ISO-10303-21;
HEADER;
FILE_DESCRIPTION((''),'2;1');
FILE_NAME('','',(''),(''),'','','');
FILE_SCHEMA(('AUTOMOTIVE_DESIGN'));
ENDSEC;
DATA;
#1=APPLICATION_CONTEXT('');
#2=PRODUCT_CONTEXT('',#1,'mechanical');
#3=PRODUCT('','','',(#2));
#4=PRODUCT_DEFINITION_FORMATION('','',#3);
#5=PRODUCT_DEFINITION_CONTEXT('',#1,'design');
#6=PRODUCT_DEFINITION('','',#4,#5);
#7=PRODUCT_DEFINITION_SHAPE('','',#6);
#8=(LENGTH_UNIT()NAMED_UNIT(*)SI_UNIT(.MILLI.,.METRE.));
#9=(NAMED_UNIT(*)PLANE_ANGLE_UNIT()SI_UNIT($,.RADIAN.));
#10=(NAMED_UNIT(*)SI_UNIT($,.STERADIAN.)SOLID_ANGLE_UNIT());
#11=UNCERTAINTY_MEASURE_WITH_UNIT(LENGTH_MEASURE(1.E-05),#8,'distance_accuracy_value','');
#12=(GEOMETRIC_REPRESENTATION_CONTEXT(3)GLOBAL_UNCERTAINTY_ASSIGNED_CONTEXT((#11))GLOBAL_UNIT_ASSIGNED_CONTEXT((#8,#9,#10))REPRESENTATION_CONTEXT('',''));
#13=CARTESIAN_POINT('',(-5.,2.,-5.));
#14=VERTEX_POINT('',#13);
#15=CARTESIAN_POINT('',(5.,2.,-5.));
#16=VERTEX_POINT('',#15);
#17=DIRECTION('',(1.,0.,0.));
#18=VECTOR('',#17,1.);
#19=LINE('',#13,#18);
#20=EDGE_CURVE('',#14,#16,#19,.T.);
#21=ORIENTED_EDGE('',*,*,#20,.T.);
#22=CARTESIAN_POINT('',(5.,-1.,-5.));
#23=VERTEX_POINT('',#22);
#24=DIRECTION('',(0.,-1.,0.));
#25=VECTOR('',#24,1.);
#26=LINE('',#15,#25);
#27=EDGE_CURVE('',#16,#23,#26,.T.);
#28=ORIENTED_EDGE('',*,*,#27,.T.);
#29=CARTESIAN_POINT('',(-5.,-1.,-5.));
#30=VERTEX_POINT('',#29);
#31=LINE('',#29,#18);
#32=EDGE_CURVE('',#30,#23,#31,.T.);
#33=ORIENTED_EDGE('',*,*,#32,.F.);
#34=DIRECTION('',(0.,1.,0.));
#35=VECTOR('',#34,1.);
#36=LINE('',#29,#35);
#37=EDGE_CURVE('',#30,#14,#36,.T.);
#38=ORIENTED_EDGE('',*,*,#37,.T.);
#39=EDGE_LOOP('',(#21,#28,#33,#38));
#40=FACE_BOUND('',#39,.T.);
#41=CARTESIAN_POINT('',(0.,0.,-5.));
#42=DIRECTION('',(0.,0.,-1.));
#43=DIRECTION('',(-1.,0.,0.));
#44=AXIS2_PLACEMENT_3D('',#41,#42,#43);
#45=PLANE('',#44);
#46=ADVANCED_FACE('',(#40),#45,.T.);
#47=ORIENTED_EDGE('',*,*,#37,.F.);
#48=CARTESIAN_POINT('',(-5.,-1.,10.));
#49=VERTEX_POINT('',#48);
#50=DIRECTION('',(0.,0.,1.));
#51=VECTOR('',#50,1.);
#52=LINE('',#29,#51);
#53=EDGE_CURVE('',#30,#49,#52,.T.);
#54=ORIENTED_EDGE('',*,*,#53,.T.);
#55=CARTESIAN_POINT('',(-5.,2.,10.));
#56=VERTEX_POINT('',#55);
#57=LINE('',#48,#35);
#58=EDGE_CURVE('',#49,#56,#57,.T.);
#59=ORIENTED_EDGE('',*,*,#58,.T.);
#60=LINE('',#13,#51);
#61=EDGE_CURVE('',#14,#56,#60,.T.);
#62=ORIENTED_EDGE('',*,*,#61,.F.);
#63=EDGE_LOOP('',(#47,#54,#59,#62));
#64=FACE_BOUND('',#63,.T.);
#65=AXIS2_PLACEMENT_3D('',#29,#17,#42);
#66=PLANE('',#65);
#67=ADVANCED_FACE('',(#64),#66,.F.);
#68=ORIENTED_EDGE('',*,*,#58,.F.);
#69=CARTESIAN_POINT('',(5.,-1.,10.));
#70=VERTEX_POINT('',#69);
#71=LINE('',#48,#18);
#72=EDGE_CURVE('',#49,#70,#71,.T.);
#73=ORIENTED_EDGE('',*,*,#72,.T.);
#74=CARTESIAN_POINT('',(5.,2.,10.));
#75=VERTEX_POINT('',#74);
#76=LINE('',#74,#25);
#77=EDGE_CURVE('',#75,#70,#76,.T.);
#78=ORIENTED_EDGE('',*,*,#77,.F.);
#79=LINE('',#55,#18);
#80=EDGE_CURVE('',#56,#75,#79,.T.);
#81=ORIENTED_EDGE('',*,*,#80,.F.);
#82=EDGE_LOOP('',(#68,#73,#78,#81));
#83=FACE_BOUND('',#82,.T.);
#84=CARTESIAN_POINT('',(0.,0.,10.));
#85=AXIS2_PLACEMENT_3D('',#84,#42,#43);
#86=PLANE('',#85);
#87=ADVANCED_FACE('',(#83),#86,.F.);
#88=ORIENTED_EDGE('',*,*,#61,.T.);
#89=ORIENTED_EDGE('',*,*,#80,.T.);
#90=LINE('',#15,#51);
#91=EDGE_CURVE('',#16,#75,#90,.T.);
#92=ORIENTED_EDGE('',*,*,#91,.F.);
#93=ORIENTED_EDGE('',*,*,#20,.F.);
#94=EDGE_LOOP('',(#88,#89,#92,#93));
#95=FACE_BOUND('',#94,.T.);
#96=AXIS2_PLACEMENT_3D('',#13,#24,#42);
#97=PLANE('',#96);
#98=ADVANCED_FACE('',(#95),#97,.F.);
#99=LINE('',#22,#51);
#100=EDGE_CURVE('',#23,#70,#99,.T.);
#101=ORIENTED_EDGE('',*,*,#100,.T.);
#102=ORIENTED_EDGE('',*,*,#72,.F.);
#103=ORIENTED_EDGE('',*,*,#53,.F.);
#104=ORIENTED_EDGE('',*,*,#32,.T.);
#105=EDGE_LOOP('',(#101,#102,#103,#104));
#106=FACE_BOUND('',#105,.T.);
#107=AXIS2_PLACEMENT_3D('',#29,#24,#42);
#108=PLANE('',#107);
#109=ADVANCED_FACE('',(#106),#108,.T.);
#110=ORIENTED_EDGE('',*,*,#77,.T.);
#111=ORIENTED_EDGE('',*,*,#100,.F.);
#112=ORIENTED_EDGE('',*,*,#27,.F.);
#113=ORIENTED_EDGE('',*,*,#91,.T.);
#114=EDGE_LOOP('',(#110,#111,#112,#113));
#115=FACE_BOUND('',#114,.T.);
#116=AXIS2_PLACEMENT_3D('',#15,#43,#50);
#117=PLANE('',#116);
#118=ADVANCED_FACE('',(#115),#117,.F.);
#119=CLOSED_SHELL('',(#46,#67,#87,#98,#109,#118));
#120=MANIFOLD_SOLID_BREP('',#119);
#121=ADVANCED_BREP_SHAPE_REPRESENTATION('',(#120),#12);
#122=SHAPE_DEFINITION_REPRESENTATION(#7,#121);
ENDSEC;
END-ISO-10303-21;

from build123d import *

# Parameters (mm, degrees)
THIN_3_0_001_DEPTH      = 10
THIN_3_0_001_DEPTH_BACK = 5
SKETCH_1_W              = 10
SKETCH_1_H              = 3


with BuildPart() as part:
    # 草图1 → Thin_3_0.001 (new, two sides: drawn at the far end of the back side and taken through both)
    with BuildSketch(Plane.XY.offset(-THIN_3_0_001_DEPTH_BACK)):
        with Locations((0, 0.5)):
            Rectangle(SKETCH_1_W, SKETCH_1_H)
    extrude(amount=THIN_3_0_001_DEPTH + THIN_3_0_001_DEPTH_BACK)


solid = part.part
